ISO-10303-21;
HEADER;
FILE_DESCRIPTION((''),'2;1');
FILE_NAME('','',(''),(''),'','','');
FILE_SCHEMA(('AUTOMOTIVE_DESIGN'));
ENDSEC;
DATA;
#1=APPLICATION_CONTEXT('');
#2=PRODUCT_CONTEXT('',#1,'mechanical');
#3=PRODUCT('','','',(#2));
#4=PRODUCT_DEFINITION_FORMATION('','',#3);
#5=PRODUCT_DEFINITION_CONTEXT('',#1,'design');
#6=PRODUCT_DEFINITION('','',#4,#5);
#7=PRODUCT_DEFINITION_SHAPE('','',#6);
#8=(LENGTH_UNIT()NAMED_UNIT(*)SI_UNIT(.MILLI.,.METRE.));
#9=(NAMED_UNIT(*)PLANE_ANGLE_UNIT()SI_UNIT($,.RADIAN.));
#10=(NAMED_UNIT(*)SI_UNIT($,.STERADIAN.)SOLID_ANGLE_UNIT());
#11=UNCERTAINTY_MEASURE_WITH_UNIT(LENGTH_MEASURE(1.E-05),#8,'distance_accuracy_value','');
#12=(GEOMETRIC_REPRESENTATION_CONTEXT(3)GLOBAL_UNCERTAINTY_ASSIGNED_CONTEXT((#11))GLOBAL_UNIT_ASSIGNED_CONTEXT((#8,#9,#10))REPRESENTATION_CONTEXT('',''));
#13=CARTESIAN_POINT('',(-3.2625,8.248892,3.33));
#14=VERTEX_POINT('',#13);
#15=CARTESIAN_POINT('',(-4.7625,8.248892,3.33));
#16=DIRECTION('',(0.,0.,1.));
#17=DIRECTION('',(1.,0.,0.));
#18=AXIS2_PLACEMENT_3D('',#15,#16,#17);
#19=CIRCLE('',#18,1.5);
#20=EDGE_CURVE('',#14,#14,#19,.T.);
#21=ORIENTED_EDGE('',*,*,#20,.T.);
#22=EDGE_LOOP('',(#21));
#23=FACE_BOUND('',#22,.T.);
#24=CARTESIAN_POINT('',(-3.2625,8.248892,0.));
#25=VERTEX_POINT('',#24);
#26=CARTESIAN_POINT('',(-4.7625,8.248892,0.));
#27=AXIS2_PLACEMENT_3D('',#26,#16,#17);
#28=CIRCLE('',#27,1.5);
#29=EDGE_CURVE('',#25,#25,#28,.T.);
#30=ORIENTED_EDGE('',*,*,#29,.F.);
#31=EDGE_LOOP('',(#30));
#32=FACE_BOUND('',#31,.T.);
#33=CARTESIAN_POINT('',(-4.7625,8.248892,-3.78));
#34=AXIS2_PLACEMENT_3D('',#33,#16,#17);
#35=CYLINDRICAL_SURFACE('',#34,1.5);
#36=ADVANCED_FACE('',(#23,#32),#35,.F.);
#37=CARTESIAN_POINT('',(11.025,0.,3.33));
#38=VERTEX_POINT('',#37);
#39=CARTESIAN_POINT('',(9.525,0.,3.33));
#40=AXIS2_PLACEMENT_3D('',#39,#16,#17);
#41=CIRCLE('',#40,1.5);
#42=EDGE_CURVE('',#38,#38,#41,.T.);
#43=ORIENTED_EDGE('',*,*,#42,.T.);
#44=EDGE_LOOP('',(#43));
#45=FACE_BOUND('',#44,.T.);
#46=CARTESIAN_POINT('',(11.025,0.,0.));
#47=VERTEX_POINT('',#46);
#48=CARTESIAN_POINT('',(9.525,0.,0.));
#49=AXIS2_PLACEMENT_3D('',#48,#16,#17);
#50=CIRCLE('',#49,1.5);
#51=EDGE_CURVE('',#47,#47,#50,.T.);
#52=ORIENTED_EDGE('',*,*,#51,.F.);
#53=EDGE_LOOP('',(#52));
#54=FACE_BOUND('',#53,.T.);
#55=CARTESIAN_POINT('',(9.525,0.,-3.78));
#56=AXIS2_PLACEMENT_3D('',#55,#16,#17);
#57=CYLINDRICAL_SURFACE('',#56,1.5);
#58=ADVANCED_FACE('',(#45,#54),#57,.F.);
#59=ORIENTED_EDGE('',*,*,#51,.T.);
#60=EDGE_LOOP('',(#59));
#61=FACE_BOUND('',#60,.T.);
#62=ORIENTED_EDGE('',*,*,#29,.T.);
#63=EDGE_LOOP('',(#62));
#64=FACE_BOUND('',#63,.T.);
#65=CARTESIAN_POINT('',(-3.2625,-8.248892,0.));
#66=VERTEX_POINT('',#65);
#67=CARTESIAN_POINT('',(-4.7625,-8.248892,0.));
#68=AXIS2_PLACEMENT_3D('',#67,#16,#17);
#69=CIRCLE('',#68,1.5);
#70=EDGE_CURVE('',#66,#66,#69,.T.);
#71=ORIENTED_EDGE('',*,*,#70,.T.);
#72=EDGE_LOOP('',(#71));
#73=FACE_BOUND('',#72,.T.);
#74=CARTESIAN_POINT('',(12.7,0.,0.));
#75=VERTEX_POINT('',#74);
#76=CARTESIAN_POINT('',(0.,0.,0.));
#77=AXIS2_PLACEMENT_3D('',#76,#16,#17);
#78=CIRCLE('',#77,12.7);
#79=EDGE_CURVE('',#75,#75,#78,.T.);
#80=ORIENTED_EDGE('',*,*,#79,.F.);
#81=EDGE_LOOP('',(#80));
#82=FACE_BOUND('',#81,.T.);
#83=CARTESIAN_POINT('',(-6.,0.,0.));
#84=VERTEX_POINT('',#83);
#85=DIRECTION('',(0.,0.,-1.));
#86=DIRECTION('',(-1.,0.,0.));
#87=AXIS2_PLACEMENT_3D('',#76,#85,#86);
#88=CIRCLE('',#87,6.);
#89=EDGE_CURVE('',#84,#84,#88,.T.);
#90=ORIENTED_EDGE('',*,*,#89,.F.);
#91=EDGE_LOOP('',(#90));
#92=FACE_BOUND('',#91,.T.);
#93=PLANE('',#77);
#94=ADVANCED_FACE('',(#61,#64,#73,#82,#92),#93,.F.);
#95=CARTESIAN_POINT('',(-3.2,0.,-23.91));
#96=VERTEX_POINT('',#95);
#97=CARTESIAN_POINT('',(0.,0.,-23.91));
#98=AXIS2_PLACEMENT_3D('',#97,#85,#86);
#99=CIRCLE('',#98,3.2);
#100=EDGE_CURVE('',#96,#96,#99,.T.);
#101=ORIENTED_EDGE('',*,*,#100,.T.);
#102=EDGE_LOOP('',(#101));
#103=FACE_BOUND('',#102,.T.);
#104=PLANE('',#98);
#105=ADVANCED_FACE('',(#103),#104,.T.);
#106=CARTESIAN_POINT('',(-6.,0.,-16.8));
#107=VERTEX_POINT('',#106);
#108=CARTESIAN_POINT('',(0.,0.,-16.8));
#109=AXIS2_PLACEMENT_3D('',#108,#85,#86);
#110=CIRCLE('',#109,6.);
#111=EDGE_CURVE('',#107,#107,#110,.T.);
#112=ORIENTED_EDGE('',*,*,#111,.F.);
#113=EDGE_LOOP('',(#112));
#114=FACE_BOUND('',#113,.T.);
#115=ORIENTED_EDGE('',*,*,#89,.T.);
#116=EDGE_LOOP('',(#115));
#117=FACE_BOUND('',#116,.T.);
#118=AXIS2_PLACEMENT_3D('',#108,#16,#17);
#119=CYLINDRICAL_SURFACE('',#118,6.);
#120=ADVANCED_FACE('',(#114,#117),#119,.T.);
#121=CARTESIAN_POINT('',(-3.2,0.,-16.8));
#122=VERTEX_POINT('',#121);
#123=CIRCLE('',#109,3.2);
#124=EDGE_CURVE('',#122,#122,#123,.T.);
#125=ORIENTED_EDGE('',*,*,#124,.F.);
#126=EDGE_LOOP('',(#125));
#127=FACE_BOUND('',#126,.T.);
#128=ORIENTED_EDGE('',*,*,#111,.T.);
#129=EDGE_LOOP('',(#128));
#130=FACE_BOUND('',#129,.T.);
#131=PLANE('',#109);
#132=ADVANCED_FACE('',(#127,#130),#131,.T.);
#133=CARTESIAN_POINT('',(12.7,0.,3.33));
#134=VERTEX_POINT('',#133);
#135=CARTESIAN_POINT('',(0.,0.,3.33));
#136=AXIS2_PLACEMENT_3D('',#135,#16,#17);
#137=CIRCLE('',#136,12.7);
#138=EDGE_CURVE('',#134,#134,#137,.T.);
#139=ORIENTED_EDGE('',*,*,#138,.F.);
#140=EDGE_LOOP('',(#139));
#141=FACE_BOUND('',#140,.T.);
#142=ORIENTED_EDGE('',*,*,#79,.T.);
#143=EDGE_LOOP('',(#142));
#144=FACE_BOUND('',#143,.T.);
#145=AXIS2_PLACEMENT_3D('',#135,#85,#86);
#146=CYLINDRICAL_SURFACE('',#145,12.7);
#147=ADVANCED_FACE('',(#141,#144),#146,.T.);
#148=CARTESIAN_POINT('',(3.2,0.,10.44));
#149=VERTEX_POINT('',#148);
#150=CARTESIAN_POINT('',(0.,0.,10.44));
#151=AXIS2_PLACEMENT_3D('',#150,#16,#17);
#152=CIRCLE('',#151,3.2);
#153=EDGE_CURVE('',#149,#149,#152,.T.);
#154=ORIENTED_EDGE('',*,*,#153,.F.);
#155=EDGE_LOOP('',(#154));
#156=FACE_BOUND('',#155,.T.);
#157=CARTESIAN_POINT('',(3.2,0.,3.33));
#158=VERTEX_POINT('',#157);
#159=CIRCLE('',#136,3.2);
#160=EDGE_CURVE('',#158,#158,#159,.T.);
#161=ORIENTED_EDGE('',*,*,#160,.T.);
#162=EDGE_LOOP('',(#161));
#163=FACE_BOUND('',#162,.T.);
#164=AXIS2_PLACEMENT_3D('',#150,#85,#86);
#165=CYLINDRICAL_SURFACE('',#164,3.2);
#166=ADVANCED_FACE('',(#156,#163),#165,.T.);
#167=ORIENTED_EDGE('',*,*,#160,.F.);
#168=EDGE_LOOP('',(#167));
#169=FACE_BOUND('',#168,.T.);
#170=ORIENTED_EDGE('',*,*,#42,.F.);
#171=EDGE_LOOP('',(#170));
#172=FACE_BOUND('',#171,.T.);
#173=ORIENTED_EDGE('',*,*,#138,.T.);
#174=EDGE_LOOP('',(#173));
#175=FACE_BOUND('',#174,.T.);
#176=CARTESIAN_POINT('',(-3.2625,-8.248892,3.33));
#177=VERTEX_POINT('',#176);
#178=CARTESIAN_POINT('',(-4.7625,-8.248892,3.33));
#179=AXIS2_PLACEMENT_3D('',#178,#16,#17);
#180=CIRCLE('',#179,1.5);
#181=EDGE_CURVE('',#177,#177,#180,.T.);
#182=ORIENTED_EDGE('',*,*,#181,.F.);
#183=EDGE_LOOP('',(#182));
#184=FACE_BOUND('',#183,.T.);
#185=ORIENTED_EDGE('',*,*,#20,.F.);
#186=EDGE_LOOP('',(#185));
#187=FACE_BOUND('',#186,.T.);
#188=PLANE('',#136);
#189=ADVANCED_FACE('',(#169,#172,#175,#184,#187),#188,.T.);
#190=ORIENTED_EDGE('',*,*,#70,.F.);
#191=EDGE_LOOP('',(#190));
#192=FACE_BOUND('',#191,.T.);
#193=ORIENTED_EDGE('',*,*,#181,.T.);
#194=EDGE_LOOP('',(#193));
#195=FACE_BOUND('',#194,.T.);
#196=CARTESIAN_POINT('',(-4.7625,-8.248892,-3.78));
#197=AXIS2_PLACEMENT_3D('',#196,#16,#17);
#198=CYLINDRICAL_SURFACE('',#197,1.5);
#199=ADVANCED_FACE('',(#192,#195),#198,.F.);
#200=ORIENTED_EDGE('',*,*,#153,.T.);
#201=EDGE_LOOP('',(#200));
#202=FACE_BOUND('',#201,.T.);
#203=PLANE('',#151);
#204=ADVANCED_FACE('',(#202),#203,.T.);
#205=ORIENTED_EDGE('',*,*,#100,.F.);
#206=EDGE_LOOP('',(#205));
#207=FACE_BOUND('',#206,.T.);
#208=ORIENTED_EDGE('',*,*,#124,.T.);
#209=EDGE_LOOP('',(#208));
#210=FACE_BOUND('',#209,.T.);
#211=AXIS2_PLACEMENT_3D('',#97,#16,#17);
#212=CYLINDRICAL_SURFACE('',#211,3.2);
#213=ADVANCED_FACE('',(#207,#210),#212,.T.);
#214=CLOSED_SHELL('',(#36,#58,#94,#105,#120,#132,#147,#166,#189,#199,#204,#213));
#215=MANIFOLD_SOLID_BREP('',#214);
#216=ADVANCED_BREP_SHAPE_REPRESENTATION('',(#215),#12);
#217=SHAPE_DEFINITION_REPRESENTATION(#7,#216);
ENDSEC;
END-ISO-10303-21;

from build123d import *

# Parameters (mm, degrees)
SKETCH1_R           = 12.7
BOSS_EXTRUDE1_DEPTH = 3.33
SKETCH2_R           = 3.2
BOSS_EXTRUDE2_DEPTH = 7.11
SKETCH3_R           = 6
BOSS_EXTRUDE3_DEPTH = 16.8
SKETCH4_R           = 3.2
BOSS_EXTRUDE4_DEPTH = 7.11
SKETCH5_R           = 1.5
CUT_EXTRUDE1_DEPTH  = 7.11


with BuildPart() as part:
    # Sketch1 → Boss-Extrude1 (new body)
    with BuildSketch(Plane.XY):
        Circle(SKETCH1_R)
    extrude(amount=BOSS_EXTRUDE1_DEPTH)

    # Sketch2 → Boss-Extrude2 (add)
    with BuildSketch(Plane.XY.offset(3.33)):
        Circle(SKETCH2_R)
    extrude(amount=BOSS_EXTRUDE2_DEPTH)

    # Sketch3 → Boss-Extrude3 (add)
    with BuildSketch(Plane(origin=(0, 0, 0), x_dir=(-1, 0, 0), z_dir=(0, 0, -1))):
        Circle(SKETCH3_R)
    extrude(amount=BOSS_EXTRUDE3_DEPTH)

    # Sketch4 → Boss-Extrude4 (add)
    with BuildSketch(Plane(origin=(0, 0, -16.8), x_dir=(-1, 0, 0), z_dir=(0, 0, -1))):
        Circle(SKETCH4_R)
    extrude(amount=BOSS_EXTRUDE4_DEPTH)

    # Sketch5 → Cut-Extrude1 (cut)
    with BuildSketch(Plane.XY.offset(3.33)):
        with Locations((9.525, 0)):
            Circle(SKETCH5_R)
        with Locations((-4.7625, -8.248891971)):
            Circle(SKETCH5_R)
        with Locations((-4.7625, 8.248891971)):
            Circle(SKETCH5_R)
    extrude(amount=-CUT_EXTRUDE1_DEPTH, mode=Mode.SUBTRACT)


solid = part.part
